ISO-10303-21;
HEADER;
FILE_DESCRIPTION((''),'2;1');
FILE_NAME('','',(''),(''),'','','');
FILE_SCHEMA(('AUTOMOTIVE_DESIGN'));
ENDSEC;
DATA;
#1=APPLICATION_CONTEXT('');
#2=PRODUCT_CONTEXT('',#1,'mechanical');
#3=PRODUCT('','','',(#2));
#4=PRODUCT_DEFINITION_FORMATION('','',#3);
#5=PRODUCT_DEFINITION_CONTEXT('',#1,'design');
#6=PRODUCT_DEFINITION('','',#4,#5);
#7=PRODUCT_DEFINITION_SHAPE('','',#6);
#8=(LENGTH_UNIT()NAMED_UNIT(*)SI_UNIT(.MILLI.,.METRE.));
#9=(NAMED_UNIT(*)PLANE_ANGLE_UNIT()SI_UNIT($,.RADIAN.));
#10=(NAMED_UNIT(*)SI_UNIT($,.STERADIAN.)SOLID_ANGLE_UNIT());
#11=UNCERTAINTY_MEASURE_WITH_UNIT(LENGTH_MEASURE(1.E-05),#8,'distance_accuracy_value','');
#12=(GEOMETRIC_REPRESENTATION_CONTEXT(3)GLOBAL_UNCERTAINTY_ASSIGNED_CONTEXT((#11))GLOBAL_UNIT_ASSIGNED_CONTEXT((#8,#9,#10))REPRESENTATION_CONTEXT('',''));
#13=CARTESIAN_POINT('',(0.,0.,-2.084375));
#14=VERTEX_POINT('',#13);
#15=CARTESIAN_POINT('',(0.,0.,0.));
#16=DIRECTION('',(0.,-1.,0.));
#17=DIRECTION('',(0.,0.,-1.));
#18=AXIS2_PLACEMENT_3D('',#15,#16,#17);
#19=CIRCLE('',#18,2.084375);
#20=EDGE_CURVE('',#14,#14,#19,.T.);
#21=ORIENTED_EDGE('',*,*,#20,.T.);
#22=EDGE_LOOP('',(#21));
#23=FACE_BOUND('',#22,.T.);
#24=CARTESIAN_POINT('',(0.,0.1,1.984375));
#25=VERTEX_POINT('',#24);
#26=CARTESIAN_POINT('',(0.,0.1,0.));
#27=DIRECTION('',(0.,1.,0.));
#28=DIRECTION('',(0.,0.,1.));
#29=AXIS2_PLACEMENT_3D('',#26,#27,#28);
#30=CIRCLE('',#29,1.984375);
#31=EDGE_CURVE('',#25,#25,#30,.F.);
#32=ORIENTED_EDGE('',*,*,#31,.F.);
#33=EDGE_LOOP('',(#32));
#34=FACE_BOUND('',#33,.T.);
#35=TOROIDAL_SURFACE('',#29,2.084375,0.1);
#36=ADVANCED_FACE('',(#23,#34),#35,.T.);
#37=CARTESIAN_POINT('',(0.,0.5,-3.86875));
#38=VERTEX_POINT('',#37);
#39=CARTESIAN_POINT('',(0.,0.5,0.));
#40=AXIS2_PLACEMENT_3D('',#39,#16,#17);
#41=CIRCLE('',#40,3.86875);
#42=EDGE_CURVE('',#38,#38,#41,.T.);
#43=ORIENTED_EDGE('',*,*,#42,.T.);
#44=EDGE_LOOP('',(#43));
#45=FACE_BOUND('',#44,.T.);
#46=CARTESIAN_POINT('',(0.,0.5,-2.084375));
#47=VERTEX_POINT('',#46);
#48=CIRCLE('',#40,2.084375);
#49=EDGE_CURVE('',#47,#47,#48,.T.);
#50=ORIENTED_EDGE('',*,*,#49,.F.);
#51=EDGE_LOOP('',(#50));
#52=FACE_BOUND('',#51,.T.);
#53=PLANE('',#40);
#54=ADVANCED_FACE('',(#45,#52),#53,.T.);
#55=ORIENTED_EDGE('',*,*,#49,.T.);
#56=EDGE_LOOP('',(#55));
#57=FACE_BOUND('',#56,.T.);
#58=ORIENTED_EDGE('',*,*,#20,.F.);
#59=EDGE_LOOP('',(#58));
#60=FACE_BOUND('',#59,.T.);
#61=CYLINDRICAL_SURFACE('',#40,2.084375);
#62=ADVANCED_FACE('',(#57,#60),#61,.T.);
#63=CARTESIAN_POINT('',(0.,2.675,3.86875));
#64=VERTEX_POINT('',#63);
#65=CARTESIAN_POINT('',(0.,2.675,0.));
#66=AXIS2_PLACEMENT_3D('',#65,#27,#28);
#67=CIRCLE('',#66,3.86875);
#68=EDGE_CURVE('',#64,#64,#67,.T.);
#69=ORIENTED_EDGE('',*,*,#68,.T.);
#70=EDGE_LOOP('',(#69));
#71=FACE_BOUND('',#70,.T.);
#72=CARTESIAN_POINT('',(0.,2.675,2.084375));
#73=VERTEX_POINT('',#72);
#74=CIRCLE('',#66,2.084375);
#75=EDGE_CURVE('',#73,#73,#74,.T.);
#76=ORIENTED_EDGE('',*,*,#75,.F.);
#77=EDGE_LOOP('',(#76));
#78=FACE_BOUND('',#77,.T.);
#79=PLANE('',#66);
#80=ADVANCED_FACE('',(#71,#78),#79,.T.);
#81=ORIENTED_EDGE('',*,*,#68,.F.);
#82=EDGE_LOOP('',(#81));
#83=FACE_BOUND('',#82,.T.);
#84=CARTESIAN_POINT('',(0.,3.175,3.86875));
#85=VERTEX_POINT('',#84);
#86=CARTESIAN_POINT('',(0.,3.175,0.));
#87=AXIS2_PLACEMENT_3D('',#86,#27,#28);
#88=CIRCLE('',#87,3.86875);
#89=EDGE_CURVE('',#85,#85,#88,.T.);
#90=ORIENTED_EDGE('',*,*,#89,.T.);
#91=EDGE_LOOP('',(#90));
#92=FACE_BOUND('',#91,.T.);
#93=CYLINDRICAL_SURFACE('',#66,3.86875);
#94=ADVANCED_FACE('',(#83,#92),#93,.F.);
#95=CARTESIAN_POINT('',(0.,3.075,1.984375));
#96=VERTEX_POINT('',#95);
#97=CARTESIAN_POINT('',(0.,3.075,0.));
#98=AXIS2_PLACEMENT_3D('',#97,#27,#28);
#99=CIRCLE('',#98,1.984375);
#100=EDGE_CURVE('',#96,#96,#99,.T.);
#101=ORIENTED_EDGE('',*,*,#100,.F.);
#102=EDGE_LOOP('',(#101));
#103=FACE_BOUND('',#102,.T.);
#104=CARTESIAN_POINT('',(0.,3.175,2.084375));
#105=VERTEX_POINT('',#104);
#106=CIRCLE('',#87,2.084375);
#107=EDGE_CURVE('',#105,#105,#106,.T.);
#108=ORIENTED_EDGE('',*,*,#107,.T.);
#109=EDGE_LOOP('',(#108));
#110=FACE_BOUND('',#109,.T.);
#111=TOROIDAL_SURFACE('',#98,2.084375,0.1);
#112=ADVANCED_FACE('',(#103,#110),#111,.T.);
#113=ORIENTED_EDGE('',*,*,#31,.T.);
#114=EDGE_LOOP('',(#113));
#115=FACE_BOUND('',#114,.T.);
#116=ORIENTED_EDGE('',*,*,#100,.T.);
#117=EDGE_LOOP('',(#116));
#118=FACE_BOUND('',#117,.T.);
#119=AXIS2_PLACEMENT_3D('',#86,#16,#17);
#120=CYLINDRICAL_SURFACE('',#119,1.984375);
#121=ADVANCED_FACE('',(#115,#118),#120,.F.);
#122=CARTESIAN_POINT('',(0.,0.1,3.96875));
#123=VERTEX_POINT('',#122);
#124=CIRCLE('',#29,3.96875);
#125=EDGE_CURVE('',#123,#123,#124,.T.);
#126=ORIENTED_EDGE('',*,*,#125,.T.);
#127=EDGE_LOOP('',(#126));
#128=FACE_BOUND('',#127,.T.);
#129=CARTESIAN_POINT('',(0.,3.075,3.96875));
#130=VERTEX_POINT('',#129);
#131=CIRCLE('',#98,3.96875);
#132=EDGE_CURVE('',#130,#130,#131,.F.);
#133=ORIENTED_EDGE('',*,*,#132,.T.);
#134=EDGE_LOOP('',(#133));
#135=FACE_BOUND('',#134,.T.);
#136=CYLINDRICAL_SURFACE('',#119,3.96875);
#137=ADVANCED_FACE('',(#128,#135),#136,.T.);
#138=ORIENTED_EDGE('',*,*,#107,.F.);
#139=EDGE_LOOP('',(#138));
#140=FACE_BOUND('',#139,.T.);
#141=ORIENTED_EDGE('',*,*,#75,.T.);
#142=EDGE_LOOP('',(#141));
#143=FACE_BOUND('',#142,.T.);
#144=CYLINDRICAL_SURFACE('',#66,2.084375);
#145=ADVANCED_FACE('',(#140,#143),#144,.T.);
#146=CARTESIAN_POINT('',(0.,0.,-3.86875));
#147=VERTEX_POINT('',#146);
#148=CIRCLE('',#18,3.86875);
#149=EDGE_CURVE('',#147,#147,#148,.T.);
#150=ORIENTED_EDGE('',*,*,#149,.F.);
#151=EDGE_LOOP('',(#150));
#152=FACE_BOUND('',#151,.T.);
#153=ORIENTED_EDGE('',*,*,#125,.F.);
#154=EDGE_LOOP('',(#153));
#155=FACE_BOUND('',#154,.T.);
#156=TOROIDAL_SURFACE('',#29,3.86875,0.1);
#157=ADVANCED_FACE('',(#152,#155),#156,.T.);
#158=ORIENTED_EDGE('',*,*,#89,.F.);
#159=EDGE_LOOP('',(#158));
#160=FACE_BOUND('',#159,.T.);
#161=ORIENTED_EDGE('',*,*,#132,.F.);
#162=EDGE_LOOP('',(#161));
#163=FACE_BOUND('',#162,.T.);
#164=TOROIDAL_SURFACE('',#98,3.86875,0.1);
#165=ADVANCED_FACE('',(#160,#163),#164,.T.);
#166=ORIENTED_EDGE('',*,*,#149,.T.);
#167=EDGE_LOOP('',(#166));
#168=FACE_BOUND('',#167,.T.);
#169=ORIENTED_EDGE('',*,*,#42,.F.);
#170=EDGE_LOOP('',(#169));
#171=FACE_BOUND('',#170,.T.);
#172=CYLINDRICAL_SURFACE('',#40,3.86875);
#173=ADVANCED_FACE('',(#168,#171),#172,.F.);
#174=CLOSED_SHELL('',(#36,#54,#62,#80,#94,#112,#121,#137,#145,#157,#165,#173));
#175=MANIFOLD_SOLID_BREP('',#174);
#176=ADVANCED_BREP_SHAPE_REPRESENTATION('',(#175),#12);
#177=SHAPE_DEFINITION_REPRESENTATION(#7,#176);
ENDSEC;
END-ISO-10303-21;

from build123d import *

# Parameters (mm, degrees)
SKETCH1_R           = 3.96875
SKETCH1_R_2         = 1.984375
BOSS_EXTRUDE1_DEPTH = 3.175
FILLET1_R           = 0.1
SKETCH2_R           = 3.86875
SKETCH2_R_2         = 2.084375
CUT_EXTRUDE1_DEPTH  = 0.5
SKETCH3_R           = 3.86875
SKETCH3_R_2         = 2.084375
CUT_EXTRUDE2_DEPTH  = 0.5


with BuildPart() as part:
    # Sketch1 → Boss-Extrude1 (new body)
    with BuildSketch(Plane(origin=(0, 0, 0), x_dir=(1, 0, 0), z_dir=(0, 1, 0))):
        Circle(SKETCH1_R)
        Circle(SKETCH1_R_2, mode=Mode.SUBTRACT)
    extrude(amount=BOSS_EXTRUDE1_DEPTH)

    # Fillet1
    fillet1_edges = [part.edges().sort_by_distance(p)[0] for p in [
        (-3.96875, 0, 0),
        (-3.96875, 3.175, 0),
        (-1.984375, 0, 0),
        (-1.984375, 3.175, 0),
    ]]
    fillet(fillet1_edges, radius=FILLET1_R)

    # Sketch2 → Cut-Extrude1 (cut)
    with BuildSketch(Plane(origin=(0, 3.175, 0), x_dir=(1, 0, 0), z_dir=(0, 1, 0))):
        Circle(SKETCH2_R)
        Circle(SKETCH2_R_2, mode=Mode.SUBTRACT)
    extrude(amount=-CUT_EXTRUDE1_DEPTH, mode=Mode.SUBTRACT)

    # Sketch3 → Cut-Extrude2 (cut)
    with BuildSketch(Plane.XZ):
        Circle(SKETCH3_R)
        Circle(SKETCH3_R_2, mode=Mode.SUBTRACT)
    extrude(amount=-CUT_EXTRUDE2_DEPTH, mode=Mode.SUBTRACT)


solid = part.part
